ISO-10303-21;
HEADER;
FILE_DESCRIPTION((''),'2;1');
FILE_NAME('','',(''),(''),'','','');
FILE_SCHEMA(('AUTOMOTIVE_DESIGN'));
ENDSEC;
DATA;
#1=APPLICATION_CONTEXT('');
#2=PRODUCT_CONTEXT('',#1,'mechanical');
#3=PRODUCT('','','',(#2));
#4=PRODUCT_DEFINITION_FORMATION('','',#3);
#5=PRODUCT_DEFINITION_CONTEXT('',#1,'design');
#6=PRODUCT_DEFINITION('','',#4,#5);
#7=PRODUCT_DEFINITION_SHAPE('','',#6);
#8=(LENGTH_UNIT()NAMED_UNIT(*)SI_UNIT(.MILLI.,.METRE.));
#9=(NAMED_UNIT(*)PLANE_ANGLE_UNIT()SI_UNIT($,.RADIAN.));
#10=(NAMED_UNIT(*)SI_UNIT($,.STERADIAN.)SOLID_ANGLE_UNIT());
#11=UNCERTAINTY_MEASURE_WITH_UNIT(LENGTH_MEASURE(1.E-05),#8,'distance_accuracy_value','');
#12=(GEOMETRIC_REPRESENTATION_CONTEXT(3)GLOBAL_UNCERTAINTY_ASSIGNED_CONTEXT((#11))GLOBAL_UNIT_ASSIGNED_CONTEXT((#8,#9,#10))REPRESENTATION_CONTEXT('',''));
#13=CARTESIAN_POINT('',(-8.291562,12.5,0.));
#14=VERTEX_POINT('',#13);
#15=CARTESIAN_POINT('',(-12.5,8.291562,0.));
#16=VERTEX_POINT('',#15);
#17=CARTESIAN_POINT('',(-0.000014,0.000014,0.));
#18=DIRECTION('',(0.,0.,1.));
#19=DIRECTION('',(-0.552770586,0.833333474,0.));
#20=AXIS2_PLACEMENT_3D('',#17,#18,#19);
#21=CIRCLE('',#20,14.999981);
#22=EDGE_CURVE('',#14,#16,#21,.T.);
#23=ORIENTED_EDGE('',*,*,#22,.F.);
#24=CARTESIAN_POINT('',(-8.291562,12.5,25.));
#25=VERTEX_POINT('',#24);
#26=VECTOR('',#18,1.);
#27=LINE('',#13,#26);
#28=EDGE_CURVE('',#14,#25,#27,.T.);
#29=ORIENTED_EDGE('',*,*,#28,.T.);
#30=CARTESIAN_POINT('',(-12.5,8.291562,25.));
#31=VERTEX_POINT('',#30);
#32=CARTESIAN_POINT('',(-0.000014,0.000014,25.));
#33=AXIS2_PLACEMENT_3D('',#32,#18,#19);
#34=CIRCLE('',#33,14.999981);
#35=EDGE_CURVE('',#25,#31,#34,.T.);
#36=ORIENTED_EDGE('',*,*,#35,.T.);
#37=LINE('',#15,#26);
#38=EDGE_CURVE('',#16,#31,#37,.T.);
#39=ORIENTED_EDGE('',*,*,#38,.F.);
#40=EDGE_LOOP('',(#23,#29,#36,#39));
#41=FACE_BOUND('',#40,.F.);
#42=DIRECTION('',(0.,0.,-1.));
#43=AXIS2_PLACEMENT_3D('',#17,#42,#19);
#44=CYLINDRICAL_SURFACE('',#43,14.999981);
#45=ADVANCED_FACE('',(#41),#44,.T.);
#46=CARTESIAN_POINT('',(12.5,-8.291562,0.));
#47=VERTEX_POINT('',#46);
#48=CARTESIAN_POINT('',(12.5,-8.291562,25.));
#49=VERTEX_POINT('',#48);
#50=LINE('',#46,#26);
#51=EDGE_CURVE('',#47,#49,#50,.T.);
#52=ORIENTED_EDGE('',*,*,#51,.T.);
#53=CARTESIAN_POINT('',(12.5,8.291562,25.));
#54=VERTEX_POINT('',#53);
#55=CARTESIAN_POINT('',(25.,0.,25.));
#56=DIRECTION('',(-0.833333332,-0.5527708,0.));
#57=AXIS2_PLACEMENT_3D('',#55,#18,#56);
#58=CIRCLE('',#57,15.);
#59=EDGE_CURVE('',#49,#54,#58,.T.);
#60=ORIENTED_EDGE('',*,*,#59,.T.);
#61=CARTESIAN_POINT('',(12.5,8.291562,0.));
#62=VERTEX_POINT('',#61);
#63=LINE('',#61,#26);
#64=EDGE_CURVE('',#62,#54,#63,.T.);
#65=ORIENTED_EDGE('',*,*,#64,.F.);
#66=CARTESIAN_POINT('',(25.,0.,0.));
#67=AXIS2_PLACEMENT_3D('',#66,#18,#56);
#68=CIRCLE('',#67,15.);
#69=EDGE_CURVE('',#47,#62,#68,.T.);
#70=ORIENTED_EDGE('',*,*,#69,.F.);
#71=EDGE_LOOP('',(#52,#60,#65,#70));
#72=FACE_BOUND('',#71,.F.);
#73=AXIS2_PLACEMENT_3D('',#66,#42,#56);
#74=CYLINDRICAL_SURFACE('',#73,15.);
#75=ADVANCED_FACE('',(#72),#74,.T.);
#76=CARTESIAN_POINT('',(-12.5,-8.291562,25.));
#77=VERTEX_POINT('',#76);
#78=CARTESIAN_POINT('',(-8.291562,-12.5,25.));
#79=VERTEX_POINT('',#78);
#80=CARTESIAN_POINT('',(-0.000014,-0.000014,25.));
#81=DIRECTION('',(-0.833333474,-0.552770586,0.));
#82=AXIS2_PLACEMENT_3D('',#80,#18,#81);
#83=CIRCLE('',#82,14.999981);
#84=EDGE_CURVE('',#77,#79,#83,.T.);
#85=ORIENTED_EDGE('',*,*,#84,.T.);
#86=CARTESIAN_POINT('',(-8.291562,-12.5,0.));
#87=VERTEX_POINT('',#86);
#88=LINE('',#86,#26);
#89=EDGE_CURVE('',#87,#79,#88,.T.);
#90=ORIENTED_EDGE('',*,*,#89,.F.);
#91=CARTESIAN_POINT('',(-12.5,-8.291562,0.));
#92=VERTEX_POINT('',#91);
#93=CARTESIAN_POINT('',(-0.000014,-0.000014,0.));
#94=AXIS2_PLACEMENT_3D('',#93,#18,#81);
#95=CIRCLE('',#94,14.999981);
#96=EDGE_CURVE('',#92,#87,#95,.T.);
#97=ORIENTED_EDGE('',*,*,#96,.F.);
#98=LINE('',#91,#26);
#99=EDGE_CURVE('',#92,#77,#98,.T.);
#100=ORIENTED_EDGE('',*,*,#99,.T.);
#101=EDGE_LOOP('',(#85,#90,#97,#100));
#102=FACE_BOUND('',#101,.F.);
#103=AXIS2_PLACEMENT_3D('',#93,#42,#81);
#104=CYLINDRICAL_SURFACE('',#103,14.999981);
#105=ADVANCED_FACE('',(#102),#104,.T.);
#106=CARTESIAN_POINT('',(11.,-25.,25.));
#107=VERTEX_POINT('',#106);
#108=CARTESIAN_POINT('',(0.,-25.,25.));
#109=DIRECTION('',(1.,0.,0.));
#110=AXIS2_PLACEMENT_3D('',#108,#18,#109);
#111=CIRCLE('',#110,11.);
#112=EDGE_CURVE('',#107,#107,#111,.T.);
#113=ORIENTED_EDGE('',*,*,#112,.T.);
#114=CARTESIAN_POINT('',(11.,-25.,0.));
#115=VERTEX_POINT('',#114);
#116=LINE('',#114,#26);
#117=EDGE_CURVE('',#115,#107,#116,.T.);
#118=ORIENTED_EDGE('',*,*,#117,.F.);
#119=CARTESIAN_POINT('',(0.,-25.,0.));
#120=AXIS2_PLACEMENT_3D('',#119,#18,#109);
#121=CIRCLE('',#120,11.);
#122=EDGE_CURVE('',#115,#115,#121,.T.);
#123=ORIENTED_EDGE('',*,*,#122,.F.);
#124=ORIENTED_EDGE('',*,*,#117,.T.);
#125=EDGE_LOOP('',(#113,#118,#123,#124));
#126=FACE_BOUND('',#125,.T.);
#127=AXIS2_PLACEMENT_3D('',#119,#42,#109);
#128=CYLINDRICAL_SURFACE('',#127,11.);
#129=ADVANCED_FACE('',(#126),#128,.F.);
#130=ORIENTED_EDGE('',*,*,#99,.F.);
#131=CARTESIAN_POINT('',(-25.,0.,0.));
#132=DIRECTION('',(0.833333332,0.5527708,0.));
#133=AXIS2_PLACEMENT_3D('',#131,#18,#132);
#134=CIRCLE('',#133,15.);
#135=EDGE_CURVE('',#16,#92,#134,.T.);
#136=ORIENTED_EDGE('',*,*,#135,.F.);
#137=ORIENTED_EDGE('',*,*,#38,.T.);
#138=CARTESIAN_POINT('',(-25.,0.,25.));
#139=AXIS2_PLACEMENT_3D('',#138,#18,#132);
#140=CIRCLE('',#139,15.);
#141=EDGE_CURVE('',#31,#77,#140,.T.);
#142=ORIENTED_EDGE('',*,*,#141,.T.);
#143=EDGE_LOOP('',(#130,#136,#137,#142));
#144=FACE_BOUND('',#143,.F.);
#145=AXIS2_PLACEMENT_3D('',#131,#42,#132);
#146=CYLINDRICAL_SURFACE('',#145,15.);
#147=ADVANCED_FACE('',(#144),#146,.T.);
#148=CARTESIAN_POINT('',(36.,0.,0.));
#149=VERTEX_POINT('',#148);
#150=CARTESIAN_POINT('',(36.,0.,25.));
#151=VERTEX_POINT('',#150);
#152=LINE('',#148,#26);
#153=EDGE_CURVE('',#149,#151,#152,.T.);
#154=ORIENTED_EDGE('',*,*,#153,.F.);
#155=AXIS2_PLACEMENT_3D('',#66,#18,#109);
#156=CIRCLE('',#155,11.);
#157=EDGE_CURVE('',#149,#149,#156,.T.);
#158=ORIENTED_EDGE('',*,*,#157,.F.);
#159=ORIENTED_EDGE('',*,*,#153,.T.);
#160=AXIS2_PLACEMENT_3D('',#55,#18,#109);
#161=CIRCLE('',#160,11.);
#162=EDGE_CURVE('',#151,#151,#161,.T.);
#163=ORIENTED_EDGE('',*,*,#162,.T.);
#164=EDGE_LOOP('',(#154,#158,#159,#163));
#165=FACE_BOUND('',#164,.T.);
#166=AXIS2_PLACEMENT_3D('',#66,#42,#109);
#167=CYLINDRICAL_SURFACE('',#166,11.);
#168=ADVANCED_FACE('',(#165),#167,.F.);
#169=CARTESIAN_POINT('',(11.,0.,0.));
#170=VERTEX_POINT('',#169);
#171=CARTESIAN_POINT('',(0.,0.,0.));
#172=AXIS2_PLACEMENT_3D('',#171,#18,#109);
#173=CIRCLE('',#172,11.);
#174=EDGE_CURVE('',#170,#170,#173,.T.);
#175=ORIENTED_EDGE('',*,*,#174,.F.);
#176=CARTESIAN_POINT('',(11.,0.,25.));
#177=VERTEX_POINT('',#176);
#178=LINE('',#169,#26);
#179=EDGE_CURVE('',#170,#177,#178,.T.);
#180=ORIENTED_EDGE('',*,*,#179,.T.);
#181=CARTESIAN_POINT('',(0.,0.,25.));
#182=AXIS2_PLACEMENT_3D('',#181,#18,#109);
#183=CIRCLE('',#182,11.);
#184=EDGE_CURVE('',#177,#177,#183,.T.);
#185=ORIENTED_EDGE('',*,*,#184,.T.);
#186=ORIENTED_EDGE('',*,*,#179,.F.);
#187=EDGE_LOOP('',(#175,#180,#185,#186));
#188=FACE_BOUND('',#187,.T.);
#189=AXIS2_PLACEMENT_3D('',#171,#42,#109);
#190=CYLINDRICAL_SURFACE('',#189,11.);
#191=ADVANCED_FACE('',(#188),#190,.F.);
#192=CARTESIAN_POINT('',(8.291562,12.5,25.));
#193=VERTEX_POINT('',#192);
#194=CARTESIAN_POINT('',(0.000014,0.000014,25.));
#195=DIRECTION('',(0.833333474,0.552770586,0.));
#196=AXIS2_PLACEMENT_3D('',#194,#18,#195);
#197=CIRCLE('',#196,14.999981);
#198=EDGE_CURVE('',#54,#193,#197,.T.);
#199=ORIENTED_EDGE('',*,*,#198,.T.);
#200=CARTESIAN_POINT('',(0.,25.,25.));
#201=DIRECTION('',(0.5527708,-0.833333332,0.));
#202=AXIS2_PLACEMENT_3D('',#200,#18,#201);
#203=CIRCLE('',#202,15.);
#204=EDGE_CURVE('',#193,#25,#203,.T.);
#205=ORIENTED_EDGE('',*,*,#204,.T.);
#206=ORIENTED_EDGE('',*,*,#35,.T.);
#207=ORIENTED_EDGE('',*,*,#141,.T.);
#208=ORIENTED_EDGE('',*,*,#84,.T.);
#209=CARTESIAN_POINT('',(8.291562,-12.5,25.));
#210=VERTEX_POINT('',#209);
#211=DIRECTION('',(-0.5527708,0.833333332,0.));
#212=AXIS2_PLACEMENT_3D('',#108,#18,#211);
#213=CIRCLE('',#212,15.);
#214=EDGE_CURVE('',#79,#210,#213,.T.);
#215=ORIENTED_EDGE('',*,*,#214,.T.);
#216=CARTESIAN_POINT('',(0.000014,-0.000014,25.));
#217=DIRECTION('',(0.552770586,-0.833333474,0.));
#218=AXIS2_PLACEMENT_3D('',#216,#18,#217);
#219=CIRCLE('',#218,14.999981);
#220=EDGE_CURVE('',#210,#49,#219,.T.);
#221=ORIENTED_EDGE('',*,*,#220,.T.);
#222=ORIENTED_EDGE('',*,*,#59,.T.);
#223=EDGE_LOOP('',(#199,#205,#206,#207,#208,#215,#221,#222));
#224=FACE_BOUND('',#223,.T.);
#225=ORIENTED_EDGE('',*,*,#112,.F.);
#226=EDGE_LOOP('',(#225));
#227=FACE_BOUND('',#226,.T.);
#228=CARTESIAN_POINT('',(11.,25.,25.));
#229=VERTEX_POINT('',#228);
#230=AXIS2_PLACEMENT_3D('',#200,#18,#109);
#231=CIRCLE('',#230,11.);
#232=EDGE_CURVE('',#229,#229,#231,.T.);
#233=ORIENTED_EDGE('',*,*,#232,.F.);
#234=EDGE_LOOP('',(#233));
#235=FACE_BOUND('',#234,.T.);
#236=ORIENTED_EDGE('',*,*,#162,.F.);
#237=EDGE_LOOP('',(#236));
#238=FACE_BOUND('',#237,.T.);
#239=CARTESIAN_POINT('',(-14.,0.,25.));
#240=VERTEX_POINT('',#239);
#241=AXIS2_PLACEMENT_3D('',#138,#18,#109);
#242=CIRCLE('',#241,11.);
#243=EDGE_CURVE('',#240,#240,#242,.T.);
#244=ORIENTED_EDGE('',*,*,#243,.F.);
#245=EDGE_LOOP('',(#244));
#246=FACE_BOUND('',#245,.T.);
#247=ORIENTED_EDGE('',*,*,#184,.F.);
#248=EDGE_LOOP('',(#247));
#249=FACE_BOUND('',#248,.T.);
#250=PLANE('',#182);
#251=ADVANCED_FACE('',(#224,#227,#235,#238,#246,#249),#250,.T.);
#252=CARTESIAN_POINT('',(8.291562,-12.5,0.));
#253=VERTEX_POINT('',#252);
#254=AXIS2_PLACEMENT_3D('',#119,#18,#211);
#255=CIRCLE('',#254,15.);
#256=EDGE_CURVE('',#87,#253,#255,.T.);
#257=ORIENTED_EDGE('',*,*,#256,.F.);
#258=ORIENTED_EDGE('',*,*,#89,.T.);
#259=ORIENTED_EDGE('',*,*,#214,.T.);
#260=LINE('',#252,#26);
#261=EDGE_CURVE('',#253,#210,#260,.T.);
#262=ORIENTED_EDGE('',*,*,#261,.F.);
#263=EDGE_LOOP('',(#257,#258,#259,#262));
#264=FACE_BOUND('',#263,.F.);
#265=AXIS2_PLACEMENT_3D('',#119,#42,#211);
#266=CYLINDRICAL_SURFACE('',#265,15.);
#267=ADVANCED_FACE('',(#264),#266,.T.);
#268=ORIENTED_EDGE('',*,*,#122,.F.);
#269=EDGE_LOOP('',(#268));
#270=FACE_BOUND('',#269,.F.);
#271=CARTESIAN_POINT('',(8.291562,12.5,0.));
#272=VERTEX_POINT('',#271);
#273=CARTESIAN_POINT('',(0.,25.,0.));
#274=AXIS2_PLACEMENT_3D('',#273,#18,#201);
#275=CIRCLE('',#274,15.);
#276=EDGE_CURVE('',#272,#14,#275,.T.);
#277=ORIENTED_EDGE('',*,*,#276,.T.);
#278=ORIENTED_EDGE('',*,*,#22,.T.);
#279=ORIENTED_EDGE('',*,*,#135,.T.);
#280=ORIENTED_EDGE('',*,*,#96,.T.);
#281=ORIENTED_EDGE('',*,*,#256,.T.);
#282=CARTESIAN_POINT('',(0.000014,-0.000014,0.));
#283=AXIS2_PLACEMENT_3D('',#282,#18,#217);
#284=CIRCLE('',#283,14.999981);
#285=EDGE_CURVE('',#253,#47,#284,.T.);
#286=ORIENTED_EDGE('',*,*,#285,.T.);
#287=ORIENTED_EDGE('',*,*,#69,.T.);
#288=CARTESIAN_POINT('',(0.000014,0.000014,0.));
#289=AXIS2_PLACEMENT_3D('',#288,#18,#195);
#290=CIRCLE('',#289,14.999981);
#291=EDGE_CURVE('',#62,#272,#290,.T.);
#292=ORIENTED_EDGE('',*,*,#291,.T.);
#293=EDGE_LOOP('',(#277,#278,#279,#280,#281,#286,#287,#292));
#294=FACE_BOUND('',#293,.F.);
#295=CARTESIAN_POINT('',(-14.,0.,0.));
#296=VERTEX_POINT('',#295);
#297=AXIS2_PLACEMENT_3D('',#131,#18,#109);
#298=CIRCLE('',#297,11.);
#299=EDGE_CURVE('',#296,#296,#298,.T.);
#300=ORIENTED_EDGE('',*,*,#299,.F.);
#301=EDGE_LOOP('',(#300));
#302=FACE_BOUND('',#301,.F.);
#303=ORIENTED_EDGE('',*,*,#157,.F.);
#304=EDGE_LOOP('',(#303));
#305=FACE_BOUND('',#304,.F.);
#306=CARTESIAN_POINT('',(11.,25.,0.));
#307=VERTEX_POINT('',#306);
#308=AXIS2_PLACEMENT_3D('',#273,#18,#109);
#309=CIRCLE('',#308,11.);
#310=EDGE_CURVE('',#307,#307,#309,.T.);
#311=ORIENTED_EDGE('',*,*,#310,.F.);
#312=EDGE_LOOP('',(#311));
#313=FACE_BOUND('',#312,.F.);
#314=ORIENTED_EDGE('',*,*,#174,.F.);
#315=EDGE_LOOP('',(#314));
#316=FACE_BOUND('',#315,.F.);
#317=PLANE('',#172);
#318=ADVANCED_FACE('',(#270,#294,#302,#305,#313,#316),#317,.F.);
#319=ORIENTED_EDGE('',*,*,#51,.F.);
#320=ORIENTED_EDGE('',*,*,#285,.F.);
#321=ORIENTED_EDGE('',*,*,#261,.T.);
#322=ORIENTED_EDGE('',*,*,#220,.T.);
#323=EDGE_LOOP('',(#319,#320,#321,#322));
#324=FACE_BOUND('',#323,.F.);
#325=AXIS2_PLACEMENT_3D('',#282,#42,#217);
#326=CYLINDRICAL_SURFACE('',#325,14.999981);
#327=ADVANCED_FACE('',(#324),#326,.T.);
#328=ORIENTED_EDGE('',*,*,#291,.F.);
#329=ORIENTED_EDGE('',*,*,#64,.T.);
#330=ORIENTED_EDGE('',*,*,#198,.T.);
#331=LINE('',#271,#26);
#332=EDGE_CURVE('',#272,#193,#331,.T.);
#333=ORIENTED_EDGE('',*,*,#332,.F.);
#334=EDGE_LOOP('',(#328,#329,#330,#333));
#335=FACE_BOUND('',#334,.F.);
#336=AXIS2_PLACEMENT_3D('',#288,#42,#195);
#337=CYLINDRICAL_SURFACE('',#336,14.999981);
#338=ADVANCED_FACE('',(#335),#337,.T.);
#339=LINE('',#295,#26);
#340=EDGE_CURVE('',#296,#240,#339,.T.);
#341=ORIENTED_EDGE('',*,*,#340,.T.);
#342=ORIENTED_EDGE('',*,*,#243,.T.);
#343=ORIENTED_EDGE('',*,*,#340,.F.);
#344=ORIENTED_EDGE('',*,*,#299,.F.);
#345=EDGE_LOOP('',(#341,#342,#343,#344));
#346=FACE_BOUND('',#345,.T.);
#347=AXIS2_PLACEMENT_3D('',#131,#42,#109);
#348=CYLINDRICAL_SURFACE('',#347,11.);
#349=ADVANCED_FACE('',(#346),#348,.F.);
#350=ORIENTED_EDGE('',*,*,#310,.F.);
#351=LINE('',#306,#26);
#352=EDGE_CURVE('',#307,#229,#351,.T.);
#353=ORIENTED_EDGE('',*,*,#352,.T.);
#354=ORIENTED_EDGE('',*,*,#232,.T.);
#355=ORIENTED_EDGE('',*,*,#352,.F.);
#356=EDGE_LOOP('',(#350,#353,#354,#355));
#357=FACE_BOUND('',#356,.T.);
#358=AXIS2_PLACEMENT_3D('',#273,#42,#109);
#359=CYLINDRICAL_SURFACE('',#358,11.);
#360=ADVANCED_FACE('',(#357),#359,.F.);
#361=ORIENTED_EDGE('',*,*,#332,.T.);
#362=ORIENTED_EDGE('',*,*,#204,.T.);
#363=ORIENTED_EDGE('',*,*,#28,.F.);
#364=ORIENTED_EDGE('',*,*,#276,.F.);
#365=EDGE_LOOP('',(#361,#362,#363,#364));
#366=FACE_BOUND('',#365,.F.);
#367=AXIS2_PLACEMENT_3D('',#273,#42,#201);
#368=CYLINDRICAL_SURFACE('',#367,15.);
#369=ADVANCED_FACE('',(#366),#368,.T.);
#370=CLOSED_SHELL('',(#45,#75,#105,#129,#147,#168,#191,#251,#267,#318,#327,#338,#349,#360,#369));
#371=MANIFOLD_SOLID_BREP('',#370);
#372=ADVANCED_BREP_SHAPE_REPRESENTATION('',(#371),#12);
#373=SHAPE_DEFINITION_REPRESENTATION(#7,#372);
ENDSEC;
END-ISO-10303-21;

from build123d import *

# Parameters (mm, degrees)
F0_R     = 11
F1_DEPTH = 25


with BuildPart() as f1:
    # F0 (on Top) → F1 (new body)
    with BuildSketch(Plane.XY):
        with BuildLine():
            ThreePointArc((12.5, -8.291562), (40, 0), (12.5, 8.291562))
            ThreePointArc((12.5, 8.291562), (10.606602, 10.606602), (8.291562, 12.5))
            ThreePointArc((8.291562, 12.5), (0, 40), (-8.291562, 12.5))
            ThreePointArc((-8.291562, 12.5), (-10.606602, 10.606602), (-12.5, 8.291562))
            ThreePointArc((-12.5, 8.291562), (-40, 0), (-12.5, -8.291562))
            ThreePointArc((-12.5, -8.291562), (-10.606602, -10.606602), (-8.291562, -12.5))
            ThreePointArc((-8.291562, -12.5), (0, -40), (8.291562, -12.5))
            ThreePointArc((8.291562, -12.5), (10.606602, -10.606602), (12.5, -8.291562))
        make_face()
        with Locations((0, -25)):
            Circle(F0_R, mode=Mode.SUBTRACT)
        with Locations((-25, 0)):
            Circle(F0_R, mode=Mode.SUBTRACT)
        Circle(F0_R, mode=Mode.SUBTRACT)
        with Locations((25, 0)):
            Circle(F0_R, mode=Mode.SUBTRACT)
        with Locations((0, 25)):
            Circle(F0_R, mode=Mode.SUBTRACT)
    extrude(amount=F1_DEPTH)


solid = f1.part
